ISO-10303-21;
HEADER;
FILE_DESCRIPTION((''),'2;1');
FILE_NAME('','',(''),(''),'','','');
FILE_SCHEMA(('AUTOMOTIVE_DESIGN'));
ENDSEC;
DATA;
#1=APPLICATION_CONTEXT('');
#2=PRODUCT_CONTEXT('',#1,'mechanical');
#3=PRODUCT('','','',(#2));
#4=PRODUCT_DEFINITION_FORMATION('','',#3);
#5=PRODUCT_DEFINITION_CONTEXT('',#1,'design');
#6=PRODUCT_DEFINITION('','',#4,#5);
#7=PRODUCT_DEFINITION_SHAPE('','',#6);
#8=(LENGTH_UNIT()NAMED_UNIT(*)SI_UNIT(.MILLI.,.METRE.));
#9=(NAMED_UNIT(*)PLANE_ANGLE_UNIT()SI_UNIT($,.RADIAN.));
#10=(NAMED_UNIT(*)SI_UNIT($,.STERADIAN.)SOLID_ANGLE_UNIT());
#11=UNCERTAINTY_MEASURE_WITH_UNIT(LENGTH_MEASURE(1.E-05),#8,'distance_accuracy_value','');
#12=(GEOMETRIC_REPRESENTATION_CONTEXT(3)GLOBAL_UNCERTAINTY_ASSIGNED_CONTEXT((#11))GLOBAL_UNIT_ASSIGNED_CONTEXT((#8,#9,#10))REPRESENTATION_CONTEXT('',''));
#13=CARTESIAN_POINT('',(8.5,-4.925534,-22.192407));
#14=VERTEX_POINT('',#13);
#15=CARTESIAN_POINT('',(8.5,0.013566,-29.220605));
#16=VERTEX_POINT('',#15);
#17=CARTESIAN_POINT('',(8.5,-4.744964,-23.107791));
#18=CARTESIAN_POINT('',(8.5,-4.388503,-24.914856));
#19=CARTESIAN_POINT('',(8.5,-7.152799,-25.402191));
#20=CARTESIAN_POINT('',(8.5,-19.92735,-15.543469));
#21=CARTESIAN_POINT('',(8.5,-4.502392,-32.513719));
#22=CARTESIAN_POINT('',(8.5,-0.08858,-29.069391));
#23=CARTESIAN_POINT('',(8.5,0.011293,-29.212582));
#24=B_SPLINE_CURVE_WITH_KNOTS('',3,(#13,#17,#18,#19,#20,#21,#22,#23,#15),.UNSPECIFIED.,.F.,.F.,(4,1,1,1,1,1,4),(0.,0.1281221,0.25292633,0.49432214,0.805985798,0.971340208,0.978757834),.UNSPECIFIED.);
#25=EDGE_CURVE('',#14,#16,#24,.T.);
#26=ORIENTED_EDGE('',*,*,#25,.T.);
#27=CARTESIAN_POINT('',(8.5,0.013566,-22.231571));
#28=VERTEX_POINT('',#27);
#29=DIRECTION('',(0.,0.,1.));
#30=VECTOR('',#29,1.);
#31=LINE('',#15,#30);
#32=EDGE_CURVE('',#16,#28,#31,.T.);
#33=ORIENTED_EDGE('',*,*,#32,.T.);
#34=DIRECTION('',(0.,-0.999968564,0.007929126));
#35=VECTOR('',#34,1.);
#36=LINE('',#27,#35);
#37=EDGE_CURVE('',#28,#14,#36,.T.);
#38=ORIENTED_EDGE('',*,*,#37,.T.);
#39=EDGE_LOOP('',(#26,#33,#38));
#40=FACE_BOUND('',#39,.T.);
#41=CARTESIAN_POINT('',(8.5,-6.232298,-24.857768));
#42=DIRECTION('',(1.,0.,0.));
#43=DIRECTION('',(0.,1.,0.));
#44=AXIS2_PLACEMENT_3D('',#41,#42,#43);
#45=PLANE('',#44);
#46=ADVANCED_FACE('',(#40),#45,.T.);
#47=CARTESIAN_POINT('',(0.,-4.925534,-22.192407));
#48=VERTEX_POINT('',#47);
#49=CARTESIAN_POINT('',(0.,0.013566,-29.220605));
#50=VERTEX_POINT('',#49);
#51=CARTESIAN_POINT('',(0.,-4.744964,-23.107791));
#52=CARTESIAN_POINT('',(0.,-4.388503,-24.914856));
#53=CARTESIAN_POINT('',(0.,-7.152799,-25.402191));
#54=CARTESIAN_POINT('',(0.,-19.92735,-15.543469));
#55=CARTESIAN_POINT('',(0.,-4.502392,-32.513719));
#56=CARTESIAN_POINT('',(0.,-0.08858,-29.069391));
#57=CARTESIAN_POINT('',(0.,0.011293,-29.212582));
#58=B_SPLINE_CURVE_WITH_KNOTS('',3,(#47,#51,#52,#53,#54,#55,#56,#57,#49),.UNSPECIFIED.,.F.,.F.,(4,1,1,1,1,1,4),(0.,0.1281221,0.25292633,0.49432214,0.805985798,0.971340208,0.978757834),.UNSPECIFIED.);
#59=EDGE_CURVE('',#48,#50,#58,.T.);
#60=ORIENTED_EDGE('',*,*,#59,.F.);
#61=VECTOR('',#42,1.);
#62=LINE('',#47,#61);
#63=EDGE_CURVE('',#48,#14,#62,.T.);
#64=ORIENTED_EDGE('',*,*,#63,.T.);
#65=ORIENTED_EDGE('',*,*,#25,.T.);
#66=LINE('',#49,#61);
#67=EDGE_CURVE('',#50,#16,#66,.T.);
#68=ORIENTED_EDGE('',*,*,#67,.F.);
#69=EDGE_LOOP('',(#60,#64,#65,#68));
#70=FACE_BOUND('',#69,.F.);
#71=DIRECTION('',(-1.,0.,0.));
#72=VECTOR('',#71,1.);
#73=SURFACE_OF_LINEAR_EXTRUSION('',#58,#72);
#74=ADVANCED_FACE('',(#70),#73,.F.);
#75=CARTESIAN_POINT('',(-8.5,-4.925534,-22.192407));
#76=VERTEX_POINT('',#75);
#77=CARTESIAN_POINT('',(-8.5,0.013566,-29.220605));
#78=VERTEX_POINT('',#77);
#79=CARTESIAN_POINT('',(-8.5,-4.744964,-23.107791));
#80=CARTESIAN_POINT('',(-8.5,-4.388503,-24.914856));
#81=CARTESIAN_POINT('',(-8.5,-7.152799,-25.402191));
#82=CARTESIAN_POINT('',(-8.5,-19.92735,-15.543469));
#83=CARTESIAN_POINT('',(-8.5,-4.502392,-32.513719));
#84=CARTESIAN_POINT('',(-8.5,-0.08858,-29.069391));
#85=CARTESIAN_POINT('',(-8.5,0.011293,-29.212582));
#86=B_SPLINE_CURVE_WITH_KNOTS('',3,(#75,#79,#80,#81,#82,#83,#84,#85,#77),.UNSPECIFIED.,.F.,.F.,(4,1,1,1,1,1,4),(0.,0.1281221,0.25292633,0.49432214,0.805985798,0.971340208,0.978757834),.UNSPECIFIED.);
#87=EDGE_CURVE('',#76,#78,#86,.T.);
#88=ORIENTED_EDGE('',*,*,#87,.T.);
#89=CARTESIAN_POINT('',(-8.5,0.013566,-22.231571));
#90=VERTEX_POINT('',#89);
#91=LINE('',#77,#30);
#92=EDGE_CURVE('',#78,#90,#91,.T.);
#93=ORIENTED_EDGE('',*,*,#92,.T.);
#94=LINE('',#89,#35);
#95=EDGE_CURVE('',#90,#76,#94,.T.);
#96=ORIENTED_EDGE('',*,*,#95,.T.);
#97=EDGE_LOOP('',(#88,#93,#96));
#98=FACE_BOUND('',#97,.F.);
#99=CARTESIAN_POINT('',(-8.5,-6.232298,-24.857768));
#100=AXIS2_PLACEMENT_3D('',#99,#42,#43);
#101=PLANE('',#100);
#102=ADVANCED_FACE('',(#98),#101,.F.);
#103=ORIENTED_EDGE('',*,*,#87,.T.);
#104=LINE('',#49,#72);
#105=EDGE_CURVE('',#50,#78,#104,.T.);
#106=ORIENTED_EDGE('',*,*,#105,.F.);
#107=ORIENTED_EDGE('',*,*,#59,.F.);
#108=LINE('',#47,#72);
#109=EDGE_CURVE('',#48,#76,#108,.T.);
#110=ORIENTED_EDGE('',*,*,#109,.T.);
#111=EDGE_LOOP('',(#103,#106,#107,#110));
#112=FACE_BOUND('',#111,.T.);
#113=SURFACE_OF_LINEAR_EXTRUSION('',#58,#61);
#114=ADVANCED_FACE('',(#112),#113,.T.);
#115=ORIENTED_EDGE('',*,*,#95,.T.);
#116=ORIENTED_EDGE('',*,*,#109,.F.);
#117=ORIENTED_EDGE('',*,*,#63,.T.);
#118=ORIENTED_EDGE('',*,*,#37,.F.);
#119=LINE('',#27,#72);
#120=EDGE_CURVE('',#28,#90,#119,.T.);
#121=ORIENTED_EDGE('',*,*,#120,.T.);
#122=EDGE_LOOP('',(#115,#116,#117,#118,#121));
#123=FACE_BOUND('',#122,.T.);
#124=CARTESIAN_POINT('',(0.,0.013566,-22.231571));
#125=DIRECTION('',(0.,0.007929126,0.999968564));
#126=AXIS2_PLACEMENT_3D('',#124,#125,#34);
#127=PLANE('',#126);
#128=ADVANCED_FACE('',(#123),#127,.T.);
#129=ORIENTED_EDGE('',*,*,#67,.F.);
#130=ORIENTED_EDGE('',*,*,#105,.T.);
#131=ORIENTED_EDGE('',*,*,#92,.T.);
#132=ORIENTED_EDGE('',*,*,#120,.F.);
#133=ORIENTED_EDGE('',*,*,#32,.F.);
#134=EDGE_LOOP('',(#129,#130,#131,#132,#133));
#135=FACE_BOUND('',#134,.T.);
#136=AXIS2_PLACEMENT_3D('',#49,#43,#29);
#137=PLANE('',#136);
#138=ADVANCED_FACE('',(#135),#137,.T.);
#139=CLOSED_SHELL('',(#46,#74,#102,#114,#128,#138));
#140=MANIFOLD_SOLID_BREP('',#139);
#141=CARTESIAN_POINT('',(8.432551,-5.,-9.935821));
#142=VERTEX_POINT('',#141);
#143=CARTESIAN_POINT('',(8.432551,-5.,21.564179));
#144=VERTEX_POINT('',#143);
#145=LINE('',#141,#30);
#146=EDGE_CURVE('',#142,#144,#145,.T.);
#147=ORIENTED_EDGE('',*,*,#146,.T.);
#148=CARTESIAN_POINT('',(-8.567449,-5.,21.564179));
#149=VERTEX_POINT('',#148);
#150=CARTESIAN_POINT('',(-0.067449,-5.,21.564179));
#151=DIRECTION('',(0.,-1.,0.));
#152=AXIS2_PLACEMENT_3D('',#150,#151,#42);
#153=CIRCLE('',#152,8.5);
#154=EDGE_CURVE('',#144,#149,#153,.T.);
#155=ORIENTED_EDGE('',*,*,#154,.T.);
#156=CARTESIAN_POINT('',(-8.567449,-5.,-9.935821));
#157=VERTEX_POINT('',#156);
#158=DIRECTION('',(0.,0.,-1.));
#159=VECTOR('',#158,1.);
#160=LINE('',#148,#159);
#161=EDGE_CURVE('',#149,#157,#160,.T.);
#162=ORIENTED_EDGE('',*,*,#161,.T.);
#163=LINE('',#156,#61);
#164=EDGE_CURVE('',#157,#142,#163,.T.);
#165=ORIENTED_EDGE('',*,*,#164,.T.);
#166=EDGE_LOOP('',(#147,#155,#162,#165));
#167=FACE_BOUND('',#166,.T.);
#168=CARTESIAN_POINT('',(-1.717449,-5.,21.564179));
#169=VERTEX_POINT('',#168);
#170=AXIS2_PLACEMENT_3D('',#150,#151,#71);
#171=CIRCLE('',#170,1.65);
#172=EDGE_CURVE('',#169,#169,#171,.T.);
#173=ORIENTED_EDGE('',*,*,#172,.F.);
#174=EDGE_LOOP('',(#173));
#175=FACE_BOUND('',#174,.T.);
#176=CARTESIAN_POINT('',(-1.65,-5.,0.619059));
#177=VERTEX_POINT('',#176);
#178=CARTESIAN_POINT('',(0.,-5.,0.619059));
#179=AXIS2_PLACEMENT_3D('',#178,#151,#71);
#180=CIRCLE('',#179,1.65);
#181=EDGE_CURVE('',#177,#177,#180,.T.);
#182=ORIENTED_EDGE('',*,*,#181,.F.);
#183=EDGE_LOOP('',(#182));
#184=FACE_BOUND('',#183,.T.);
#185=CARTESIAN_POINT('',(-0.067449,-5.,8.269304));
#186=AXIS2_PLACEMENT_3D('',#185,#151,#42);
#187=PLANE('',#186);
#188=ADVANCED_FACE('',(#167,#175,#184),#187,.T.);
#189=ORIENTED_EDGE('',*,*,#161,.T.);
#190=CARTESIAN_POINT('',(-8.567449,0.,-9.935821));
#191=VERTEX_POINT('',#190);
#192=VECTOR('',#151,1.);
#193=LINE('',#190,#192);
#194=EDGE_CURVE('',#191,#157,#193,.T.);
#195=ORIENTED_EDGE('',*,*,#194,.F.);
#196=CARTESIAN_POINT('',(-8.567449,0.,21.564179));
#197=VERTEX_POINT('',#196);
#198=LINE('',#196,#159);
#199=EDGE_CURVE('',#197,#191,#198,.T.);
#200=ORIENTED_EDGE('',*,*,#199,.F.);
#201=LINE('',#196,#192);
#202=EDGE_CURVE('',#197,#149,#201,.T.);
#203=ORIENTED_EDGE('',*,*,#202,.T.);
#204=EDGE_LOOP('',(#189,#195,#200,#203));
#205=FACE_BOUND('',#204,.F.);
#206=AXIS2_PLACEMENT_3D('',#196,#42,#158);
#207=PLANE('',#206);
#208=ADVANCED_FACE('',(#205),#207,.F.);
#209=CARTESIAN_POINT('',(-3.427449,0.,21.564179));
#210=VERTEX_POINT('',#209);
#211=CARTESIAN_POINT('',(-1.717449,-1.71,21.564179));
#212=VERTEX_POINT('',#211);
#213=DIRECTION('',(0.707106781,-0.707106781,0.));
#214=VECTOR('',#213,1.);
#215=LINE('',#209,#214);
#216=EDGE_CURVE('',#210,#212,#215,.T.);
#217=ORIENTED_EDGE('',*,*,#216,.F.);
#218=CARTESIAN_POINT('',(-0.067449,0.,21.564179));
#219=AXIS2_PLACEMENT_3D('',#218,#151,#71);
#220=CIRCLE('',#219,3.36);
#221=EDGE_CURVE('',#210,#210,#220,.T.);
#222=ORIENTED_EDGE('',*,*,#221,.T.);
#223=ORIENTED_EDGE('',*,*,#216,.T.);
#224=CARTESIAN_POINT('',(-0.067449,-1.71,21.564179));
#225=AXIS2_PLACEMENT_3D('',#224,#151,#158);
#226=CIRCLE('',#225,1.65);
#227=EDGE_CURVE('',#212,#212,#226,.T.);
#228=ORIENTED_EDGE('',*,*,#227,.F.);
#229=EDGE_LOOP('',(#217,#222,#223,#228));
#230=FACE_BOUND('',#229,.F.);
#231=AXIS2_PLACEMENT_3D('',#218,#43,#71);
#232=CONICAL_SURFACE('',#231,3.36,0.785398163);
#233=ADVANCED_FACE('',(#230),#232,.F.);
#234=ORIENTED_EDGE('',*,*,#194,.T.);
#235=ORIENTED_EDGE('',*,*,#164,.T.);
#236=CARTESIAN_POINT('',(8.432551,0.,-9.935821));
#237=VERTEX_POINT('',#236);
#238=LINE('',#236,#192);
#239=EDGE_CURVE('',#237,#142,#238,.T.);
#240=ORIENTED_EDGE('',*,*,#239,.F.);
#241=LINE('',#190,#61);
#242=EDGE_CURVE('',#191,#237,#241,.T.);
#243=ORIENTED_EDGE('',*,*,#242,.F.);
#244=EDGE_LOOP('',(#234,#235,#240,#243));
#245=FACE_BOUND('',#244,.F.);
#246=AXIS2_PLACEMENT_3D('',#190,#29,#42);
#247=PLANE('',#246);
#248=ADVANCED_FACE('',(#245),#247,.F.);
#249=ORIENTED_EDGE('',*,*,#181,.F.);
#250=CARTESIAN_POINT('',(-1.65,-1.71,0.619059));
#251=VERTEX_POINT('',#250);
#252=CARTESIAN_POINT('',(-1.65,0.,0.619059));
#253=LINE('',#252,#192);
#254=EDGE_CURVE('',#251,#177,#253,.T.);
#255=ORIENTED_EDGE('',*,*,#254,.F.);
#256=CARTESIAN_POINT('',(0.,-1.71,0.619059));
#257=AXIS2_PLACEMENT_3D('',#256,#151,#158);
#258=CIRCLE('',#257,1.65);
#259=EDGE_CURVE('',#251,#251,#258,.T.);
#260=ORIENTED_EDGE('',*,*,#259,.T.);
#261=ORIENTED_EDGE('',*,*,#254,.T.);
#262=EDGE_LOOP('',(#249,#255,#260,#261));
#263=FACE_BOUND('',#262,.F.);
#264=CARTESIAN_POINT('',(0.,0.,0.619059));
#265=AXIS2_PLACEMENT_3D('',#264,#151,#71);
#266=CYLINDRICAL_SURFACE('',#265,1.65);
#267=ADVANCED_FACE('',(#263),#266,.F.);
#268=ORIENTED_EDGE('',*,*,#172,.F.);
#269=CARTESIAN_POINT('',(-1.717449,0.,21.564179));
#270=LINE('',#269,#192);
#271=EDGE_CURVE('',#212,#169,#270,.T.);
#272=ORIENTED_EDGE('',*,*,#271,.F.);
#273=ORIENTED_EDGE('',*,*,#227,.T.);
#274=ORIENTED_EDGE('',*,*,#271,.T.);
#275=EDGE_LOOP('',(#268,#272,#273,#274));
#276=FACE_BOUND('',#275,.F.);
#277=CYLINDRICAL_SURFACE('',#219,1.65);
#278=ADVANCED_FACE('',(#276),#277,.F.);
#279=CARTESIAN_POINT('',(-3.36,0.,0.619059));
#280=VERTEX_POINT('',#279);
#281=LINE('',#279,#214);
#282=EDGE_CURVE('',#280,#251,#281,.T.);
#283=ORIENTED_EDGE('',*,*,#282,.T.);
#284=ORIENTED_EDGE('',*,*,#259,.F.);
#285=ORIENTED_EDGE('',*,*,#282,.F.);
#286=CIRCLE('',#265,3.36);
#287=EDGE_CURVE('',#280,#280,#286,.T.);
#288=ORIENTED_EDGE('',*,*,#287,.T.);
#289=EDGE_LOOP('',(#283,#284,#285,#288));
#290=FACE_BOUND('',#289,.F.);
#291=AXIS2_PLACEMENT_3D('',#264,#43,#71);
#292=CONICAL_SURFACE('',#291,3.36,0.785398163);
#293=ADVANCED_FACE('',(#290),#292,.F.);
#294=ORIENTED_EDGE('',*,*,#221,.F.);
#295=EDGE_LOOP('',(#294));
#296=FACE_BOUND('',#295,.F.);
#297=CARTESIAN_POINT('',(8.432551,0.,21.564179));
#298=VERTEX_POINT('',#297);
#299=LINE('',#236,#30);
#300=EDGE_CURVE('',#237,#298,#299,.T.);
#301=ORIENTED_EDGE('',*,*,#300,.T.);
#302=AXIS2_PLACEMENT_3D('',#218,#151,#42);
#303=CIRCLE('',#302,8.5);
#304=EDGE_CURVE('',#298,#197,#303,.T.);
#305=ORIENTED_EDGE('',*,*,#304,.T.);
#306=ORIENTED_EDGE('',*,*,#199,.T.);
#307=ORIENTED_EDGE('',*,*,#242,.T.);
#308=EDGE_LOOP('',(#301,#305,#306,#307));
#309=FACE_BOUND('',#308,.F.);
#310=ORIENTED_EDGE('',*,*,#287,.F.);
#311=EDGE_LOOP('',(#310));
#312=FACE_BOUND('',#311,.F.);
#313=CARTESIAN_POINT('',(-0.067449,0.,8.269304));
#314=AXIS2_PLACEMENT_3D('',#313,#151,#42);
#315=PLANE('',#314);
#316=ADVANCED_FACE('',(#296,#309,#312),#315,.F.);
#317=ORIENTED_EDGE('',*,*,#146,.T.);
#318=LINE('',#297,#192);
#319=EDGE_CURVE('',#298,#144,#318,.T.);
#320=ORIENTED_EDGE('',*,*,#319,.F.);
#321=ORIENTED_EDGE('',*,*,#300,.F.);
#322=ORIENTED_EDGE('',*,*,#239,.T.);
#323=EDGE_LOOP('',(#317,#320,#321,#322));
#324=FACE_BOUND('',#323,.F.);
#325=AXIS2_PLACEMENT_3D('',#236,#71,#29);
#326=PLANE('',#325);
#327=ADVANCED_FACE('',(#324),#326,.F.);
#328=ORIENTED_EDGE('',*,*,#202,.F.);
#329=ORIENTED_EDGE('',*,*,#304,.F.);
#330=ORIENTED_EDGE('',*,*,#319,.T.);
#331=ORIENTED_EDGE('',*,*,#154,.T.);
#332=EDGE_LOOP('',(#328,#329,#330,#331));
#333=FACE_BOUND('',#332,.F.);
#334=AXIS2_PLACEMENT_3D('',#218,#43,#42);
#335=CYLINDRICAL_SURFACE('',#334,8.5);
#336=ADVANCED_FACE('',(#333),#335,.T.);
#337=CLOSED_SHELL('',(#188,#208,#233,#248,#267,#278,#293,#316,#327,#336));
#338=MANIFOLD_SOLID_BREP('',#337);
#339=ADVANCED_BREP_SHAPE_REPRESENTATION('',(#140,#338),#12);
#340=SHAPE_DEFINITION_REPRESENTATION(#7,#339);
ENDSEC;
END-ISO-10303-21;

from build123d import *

# Parameters (mm, degrees)
F1_DEPTH       = 5
F3_DEPTH       = 8.5
F4_D           = 3.3
F4_CSINK_D     = 6.72
F4_CSINK_ANGLE = 90


with BuildPart() as f1:
    # F0 (on Front) → F1 (new body)
    with BuildSketch(Plane.XZ):
        with BuildLine():
            ThreePointArc((8.4325509294, 21.5641788055), (-0.0674490706, 30.0641788055), (-8.5674490706, 21.5641788055))
            Line((-8.5674490706, 21.5641788055), (-8.5674490706, -9.9358211945))
            Line((-8.5674490706, -9.9358211945), (8.4325509294, -9.9358211945))
            Line((8.4325509294, -9.9358211945), (8.4325509294, 21.5641788055))
        make_face()
    extrude(amount=F1_DEPTH)

    # F4 (through all)
    with Locations(Plane(origin=(0, 0, 0), x_dir=(1, 0, 0), z_dir=(0, 1, 0))):
        with Locations((0, -0.6190594286), (-0.0674490706, -21.5641788055)):
            CounterSinkHole(F4_D / 2, F4_CSINK_D / 2, counter_sink_angle=F4_CSINK_ANGLE)


with BuildPart() as f3:
    # F2 (on Right) → F3 (new body, symmetric)
    with BuildSketch(Plane.YZ):
        with BuildLine():
            Line((0.013565836, -22.2315713763), (-4.9255341291, -22.1924073994))
            add(Edge.make_bspline(
                [(-4.9255341291, -22.1924073994), (-4.7449644372, -23.1077914368), (-4.3885025253, -24.914855866), (-7.1527987917, -25.4021910895), (-19.9273497333, -15.5434690169), (-4.5023920771, -32.5137191407), (-0.0885803837, -29.0693910148), (0.0112932377, -29.2125822191), (0.013565836, -29.2206046382)],
                knots=[0, 0, 0, 0, 0.1281220998, 0.2529263302, 0.4943221397, 0.8059857979, 0.971340208, 0.9787578336, 0.9787578336, 0.9787578336, 0.9787578336], degree=3))
            Line((0.013565836, -29.2206046382), (0.013565836, -22.2315713763))
        make_face()
    extrude(amount=F3_DEPTH, both=True)


solid = Compound([f1.part, f3.part])
